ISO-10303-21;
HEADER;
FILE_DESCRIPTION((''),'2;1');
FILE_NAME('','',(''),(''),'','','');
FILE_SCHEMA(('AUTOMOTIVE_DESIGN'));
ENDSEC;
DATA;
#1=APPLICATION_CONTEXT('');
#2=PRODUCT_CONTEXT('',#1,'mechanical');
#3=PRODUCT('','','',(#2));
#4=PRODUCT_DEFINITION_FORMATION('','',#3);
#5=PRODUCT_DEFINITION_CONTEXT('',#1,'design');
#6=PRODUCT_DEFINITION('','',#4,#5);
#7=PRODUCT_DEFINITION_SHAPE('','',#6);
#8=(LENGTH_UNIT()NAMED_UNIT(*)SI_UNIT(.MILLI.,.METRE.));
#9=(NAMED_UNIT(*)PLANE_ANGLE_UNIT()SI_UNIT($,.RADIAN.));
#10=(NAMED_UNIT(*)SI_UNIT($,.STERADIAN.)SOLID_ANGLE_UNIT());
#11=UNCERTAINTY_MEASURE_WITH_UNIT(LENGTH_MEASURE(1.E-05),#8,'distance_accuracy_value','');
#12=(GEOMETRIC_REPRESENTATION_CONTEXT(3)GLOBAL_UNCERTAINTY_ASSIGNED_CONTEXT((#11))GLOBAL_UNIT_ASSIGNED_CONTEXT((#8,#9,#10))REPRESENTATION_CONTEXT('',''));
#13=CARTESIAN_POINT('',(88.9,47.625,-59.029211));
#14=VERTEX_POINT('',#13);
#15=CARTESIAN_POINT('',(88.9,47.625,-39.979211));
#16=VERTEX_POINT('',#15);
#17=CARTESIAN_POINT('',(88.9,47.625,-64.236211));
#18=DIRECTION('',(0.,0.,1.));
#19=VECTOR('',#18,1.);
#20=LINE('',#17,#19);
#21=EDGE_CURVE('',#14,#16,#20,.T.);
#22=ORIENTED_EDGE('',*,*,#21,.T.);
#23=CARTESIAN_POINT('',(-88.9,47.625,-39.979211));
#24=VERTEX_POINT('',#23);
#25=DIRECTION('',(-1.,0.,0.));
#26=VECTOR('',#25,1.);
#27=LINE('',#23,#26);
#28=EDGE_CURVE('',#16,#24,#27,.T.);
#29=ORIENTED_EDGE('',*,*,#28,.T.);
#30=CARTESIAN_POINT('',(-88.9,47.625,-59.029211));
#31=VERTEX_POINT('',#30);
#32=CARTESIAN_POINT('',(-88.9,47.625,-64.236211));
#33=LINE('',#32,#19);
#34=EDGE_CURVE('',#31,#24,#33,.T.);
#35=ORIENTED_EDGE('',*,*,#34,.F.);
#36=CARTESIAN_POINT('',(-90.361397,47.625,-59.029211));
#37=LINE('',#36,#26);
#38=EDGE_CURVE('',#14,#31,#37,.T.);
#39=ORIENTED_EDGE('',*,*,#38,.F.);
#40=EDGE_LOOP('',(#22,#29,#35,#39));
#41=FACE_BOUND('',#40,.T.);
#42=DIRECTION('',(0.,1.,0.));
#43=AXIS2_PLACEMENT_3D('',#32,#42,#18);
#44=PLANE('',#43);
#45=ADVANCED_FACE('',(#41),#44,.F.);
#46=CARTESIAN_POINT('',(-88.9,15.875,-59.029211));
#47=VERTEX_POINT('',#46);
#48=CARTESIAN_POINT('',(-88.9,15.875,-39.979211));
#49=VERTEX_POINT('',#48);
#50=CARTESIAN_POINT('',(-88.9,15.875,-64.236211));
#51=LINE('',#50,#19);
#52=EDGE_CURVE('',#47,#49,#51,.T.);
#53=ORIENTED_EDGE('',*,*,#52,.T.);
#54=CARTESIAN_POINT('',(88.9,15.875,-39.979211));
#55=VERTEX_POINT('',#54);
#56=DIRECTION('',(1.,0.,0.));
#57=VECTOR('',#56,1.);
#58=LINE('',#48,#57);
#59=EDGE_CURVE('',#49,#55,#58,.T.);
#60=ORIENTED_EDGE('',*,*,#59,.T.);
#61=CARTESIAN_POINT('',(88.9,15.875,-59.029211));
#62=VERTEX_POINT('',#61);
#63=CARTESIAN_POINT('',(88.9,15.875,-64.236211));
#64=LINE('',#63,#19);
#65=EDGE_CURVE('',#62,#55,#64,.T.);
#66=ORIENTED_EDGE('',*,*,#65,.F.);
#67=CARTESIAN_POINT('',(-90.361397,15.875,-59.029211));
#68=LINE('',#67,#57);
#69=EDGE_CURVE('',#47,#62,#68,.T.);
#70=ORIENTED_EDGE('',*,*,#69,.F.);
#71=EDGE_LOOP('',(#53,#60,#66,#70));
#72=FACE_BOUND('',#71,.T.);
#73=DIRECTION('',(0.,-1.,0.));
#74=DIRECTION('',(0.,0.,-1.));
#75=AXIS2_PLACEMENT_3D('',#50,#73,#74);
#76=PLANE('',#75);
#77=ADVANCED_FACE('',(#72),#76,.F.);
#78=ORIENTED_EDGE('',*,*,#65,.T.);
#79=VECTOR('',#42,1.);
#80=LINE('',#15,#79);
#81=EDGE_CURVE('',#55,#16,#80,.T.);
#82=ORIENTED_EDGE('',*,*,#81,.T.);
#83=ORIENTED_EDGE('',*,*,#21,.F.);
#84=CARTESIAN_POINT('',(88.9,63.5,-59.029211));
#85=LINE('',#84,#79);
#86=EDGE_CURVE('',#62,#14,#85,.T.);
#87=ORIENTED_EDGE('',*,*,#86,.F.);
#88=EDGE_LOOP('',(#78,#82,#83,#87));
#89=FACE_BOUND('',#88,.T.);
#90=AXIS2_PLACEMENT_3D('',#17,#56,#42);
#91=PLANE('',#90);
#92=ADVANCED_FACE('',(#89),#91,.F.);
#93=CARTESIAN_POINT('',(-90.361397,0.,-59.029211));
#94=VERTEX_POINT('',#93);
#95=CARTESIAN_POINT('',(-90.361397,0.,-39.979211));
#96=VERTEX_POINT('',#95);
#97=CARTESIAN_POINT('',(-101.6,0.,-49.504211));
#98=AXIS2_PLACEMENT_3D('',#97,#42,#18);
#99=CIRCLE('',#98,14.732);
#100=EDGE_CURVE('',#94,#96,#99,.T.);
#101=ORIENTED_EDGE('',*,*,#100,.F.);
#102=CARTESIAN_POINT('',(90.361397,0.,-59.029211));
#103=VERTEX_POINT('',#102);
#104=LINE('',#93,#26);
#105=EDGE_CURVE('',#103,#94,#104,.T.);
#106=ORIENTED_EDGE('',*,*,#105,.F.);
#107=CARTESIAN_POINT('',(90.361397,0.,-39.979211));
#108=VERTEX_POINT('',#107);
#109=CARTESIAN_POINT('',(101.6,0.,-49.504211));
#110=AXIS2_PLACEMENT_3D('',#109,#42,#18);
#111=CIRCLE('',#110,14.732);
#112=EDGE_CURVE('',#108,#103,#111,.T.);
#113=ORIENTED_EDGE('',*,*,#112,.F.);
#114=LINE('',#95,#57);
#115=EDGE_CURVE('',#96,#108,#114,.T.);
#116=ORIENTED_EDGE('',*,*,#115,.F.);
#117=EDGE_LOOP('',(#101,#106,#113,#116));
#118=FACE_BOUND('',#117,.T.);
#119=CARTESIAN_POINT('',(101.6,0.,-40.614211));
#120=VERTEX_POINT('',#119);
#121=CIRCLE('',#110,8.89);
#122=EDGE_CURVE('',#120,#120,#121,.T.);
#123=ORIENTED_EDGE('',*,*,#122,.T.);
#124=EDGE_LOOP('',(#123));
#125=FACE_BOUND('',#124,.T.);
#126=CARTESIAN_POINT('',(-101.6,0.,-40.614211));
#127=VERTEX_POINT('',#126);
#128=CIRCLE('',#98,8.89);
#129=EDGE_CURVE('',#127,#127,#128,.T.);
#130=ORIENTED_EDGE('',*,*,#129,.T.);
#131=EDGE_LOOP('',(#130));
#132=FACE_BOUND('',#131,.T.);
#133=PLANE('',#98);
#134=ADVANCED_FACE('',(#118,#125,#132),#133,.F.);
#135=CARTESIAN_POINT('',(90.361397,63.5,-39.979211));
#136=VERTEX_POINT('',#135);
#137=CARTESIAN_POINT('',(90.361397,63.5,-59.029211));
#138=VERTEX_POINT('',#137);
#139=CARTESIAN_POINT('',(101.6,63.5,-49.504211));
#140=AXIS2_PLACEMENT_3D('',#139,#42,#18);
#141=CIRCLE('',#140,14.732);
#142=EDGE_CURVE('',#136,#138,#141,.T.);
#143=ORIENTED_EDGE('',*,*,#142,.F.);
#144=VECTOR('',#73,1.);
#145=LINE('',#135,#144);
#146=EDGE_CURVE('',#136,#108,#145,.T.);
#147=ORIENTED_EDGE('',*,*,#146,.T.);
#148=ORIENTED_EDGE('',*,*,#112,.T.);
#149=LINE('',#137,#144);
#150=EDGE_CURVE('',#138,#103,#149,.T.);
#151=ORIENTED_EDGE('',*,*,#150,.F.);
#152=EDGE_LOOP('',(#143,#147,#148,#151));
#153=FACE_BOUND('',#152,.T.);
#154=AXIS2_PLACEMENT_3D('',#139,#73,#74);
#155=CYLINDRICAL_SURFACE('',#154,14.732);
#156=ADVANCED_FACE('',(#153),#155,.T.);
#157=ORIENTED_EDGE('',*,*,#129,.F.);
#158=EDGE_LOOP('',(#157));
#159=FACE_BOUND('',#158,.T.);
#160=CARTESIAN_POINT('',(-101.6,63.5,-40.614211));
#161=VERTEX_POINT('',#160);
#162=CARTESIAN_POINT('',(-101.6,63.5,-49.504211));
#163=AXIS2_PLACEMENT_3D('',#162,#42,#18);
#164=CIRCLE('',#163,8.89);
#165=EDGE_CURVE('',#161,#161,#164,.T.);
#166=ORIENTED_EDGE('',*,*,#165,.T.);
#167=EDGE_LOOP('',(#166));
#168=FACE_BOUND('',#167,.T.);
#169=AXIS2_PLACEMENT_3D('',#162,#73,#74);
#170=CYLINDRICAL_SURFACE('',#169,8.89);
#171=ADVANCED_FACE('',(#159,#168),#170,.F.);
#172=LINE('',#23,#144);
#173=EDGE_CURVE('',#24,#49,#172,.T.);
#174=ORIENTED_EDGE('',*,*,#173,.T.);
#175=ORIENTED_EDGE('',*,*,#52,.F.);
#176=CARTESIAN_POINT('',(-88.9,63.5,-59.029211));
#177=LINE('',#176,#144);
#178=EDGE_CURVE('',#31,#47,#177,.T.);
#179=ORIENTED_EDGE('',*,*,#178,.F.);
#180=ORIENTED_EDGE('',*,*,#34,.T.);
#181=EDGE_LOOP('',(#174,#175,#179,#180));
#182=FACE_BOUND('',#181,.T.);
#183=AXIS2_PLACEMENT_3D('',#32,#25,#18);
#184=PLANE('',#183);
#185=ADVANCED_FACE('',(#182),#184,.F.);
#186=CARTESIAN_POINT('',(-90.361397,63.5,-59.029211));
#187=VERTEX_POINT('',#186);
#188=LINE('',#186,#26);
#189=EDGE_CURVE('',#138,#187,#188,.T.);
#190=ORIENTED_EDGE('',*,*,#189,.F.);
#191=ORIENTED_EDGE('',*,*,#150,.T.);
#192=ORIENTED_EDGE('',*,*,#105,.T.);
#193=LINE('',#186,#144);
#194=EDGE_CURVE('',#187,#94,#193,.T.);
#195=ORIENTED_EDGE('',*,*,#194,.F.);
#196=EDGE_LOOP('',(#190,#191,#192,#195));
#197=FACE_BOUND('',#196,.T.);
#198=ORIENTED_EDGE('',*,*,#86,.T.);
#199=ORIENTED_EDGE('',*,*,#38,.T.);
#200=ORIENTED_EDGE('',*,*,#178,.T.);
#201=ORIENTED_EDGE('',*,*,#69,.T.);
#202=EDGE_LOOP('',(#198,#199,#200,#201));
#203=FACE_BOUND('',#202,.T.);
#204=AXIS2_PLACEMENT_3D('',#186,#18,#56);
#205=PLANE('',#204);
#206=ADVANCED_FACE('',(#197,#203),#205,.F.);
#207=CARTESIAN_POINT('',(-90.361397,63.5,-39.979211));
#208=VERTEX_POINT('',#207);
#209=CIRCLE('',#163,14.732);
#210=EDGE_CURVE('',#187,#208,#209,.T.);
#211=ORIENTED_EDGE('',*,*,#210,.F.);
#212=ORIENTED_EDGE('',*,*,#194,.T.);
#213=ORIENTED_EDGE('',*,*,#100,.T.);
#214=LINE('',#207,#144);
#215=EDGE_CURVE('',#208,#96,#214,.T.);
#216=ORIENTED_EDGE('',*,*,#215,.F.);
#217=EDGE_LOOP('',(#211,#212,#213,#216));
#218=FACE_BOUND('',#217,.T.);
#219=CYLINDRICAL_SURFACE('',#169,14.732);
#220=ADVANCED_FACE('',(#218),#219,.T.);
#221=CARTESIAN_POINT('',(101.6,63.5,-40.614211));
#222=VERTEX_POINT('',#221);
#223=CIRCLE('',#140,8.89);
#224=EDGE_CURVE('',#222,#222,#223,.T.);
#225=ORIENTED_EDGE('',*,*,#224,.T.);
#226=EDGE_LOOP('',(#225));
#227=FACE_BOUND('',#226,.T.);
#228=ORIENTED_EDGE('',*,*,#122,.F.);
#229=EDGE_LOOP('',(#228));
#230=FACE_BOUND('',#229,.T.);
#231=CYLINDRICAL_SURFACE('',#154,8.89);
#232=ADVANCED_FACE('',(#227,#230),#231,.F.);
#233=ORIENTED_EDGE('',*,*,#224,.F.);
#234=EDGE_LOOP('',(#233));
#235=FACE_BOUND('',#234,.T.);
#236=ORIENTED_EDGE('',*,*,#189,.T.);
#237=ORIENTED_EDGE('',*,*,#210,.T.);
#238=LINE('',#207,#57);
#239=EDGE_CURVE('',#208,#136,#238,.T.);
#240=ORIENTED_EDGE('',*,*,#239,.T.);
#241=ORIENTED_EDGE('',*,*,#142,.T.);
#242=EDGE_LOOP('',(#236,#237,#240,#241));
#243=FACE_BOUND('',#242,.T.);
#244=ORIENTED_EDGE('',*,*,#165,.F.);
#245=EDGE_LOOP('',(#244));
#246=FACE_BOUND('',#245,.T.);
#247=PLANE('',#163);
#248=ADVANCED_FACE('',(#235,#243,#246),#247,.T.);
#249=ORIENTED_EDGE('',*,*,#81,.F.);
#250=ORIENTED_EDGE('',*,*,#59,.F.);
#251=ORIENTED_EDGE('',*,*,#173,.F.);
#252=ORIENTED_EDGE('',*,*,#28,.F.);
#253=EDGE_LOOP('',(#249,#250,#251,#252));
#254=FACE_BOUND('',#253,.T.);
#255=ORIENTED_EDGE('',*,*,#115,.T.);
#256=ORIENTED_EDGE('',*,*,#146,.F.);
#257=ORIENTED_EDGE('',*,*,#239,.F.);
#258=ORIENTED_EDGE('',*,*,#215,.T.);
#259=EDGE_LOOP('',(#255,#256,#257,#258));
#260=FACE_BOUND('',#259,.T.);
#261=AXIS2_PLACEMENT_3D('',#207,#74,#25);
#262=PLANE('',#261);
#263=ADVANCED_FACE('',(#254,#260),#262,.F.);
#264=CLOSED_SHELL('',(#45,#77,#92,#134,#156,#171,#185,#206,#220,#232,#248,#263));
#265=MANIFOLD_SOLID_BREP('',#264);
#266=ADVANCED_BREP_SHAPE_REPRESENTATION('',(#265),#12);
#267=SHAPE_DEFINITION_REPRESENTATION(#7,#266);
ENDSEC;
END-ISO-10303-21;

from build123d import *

# Parameters (mm, degrees)
SKETCH1_R           = 8.89
BOSS_EXTRUDE1_DEPTH = 63.5
SKETCH2_W           = 177.8
SKETCH2_H           = 31.75
CUT_EXTRUDE1_DEPTH  = 135.735987297


with BuildPart() as part:
    # Sketch1 → Boss-Extrude1 (new body)
    with BuildSketch(Plane(origin=(0, 0, 0), x_dir=(1, 0, 0), z_dir=(0, 1, 0))):
        with BuildLine():
            Line((-90.361396928, 59.02921057), (90.361396928, 59.02921057))
            ThreePointArc((90.361396928, 59.02921057), (116.332, 49.50421057), (90.361396928, 39.97921057))
            Line((90.361396928, 39.97921057), (-90.361396928, 39.97921057))
            ThreePointArc((-90.361396928, 39.97921057), (-116.332, 49.50421057), (-90.361396928, 59.02921057))
        make_face()
        with Locations(Location((101.6, 49.50421057, 0), (0, 0, 270))):
            Circle(SKETCH1_R, mode=Mode.SUBTRACT)
        with Locations(Location((-101.6, 49.50421057, 0), (0, 0, 270))):
            Circle(SKETCH1_R, mode=Mode.SUBTRACT)
    extrude(amount=BOSS_EXTRUDE1_DEPTH)

    # Sketch2 → Cut-Extrude1 (cut, through all)
    with BuildSketch(Plane.XY.offset(-39.97921057)):
        with Locations((0, 31.75)):
            Rectangle(SKETCH2_W, SKETCH2_H)
    extrude(amount=-CUT_EXTRUDE1_DEPTH, mode=Mode.SUBTRACT)


solid = part.part
